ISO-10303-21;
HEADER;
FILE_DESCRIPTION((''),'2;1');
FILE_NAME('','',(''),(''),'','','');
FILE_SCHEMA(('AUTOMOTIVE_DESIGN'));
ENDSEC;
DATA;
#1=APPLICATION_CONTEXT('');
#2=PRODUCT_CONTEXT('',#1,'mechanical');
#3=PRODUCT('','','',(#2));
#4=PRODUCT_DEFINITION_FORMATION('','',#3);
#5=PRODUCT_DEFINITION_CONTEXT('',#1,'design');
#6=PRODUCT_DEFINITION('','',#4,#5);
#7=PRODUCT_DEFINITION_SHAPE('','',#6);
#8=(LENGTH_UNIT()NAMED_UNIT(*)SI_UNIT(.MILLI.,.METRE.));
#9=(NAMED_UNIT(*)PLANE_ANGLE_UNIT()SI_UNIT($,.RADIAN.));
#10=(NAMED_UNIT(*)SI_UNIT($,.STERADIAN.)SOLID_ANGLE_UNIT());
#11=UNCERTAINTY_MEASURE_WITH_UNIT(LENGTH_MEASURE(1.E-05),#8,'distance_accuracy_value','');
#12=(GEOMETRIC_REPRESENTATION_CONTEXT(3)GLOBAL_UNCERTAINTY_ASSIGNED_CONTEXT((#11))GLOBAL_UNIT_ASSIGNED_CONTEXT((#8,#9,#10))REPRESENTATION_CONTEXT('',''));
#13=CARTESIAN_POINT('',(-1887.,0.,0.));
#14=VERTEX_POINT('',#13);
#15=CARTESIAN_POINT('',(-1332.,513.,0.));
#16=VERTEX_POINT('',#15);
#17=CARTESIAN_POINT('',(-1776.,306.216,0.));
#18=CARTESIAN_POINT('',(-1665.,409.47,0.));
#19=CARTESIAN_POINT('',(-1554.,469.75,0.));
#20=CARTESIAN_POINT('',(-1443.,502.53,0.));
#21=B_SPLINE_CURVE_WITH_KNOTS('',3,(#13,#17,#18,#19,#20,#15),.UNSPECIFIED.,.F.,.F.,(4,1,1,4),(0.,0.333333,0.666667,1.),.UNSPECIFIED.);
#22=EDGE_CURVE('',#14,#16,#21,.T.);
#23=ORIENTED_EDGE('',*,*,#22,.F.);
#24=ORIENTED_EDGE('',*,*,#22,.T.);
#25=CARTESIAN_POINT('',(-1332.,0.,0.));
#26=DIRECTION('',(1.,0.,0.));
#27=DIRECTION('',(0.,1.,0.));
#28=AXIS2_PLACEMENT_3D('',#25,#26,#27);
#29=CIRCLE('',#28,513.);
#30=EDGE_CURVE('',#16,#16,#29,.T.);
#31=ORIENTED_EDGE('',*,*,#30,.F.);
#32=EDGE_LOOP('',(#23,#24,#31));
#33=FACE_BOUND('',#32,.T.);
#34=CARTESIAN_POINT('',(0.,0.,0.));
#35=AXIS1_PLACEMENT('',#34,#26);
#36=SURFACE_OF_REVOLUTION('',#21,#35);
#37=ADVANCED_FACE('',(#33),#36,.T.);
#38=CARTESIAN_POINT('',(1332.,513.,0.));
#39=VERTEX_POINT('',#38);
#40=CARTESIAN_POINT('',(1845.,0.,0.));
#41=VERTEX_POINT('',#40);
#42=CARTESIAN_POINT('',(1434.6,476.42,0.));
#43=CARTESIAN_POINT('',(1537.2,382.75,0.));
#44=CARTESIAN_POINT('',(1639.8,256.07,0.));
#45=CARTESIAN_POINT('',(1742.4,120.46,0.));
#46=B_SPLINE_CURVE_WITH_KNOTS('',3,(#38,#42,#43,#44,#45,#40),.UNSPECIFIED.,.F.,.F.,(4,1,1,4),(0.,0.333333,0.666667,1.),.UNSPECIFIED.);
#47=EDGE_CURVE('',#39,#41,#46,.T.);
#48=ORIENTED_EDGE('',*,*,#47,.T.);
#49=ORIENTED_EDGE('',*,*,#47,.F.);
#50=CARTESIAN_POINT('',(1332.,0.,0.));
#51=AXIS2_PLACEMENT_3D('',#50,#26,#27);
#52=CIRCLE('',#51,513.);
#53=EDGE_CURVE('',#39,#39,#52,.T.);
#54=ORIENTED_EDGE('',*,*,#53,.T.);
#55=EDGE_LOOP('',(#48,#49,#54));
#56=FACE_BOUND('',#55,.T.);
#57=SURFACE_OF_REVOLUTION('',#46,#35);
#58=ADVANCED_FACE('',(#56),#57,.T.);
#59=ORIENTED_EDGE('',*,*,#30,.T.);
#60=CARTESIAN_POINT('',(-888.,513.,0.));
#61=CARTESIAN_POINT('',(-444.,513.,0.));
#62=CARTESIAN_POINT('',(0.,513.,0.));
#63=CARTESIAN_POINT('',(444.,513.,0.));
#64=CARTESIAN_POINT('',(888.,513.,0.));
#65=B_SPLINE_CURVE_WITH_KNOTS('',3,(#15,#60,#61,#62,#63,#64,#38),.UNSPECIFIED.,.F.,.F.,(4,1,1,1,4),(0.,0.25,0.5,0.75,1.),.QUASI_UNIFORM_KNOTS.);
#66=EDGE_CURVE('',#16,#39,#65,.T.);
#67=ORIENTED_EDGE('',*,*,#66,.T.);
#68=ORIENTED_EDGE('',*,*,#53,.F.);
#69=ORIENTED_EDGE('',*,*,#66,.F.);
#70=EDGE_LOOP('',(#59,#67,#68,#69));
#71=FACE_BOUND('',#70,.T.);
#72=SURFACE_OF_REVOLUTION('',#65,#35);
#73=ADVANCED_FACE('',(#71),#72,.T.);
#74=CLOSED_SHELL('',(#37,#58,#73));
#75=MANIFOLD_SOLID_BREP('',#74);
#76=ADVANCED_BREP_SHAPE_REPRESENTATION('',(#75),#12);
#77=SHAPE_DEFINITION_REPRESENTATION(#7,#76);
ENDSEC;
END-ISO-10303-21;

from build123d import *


with BuildPart() as part:
    # Sketch → Revolution (revolve)
    with BuildSketch(Plane.XY):
        with BuildLine():
            Line((-1332, 0), (1332, 0))
            Line((1332, 0), (1845, 0))
            add(Edge.make_bspline(
                [(1332, 513), (1434.6, 476.42), (1537.2, 382.75), (1639.8, 256.07), (1742.4, 120.46), (1845, 0)],
                knots=[0, 0, 0, 0, 0.333333, 0.666667, 1, 1, 1, 1], degree=3))
            add(Edge.make_bspline(
                [(-1332, 513), (-888, 513), (-444, 513), (0, 513), (444, 513), (888, 513), (1332, 513)],
                knots=[0, 0, 0, 0, 0.25, 0.5, 0.75, 1, 1, 1, 1], degree=3))
            add(Edge.make_bspline(
                [(-1887, 0), (-1776, 306.216), (-1665, 409.47), (-1554, 469.75), (-1443, 502.53), (-1332, 513)],
                knots=[0, 0, 0, 0, 0.333333, 0.666667, 1, 1, 1, 1], degree=3))
            Line((-1887, 0), (-1332, 0))
        make_face()
    revolve(axis=Axis((0, 0, 0), (1, 0, 0)))


solid = part.part
